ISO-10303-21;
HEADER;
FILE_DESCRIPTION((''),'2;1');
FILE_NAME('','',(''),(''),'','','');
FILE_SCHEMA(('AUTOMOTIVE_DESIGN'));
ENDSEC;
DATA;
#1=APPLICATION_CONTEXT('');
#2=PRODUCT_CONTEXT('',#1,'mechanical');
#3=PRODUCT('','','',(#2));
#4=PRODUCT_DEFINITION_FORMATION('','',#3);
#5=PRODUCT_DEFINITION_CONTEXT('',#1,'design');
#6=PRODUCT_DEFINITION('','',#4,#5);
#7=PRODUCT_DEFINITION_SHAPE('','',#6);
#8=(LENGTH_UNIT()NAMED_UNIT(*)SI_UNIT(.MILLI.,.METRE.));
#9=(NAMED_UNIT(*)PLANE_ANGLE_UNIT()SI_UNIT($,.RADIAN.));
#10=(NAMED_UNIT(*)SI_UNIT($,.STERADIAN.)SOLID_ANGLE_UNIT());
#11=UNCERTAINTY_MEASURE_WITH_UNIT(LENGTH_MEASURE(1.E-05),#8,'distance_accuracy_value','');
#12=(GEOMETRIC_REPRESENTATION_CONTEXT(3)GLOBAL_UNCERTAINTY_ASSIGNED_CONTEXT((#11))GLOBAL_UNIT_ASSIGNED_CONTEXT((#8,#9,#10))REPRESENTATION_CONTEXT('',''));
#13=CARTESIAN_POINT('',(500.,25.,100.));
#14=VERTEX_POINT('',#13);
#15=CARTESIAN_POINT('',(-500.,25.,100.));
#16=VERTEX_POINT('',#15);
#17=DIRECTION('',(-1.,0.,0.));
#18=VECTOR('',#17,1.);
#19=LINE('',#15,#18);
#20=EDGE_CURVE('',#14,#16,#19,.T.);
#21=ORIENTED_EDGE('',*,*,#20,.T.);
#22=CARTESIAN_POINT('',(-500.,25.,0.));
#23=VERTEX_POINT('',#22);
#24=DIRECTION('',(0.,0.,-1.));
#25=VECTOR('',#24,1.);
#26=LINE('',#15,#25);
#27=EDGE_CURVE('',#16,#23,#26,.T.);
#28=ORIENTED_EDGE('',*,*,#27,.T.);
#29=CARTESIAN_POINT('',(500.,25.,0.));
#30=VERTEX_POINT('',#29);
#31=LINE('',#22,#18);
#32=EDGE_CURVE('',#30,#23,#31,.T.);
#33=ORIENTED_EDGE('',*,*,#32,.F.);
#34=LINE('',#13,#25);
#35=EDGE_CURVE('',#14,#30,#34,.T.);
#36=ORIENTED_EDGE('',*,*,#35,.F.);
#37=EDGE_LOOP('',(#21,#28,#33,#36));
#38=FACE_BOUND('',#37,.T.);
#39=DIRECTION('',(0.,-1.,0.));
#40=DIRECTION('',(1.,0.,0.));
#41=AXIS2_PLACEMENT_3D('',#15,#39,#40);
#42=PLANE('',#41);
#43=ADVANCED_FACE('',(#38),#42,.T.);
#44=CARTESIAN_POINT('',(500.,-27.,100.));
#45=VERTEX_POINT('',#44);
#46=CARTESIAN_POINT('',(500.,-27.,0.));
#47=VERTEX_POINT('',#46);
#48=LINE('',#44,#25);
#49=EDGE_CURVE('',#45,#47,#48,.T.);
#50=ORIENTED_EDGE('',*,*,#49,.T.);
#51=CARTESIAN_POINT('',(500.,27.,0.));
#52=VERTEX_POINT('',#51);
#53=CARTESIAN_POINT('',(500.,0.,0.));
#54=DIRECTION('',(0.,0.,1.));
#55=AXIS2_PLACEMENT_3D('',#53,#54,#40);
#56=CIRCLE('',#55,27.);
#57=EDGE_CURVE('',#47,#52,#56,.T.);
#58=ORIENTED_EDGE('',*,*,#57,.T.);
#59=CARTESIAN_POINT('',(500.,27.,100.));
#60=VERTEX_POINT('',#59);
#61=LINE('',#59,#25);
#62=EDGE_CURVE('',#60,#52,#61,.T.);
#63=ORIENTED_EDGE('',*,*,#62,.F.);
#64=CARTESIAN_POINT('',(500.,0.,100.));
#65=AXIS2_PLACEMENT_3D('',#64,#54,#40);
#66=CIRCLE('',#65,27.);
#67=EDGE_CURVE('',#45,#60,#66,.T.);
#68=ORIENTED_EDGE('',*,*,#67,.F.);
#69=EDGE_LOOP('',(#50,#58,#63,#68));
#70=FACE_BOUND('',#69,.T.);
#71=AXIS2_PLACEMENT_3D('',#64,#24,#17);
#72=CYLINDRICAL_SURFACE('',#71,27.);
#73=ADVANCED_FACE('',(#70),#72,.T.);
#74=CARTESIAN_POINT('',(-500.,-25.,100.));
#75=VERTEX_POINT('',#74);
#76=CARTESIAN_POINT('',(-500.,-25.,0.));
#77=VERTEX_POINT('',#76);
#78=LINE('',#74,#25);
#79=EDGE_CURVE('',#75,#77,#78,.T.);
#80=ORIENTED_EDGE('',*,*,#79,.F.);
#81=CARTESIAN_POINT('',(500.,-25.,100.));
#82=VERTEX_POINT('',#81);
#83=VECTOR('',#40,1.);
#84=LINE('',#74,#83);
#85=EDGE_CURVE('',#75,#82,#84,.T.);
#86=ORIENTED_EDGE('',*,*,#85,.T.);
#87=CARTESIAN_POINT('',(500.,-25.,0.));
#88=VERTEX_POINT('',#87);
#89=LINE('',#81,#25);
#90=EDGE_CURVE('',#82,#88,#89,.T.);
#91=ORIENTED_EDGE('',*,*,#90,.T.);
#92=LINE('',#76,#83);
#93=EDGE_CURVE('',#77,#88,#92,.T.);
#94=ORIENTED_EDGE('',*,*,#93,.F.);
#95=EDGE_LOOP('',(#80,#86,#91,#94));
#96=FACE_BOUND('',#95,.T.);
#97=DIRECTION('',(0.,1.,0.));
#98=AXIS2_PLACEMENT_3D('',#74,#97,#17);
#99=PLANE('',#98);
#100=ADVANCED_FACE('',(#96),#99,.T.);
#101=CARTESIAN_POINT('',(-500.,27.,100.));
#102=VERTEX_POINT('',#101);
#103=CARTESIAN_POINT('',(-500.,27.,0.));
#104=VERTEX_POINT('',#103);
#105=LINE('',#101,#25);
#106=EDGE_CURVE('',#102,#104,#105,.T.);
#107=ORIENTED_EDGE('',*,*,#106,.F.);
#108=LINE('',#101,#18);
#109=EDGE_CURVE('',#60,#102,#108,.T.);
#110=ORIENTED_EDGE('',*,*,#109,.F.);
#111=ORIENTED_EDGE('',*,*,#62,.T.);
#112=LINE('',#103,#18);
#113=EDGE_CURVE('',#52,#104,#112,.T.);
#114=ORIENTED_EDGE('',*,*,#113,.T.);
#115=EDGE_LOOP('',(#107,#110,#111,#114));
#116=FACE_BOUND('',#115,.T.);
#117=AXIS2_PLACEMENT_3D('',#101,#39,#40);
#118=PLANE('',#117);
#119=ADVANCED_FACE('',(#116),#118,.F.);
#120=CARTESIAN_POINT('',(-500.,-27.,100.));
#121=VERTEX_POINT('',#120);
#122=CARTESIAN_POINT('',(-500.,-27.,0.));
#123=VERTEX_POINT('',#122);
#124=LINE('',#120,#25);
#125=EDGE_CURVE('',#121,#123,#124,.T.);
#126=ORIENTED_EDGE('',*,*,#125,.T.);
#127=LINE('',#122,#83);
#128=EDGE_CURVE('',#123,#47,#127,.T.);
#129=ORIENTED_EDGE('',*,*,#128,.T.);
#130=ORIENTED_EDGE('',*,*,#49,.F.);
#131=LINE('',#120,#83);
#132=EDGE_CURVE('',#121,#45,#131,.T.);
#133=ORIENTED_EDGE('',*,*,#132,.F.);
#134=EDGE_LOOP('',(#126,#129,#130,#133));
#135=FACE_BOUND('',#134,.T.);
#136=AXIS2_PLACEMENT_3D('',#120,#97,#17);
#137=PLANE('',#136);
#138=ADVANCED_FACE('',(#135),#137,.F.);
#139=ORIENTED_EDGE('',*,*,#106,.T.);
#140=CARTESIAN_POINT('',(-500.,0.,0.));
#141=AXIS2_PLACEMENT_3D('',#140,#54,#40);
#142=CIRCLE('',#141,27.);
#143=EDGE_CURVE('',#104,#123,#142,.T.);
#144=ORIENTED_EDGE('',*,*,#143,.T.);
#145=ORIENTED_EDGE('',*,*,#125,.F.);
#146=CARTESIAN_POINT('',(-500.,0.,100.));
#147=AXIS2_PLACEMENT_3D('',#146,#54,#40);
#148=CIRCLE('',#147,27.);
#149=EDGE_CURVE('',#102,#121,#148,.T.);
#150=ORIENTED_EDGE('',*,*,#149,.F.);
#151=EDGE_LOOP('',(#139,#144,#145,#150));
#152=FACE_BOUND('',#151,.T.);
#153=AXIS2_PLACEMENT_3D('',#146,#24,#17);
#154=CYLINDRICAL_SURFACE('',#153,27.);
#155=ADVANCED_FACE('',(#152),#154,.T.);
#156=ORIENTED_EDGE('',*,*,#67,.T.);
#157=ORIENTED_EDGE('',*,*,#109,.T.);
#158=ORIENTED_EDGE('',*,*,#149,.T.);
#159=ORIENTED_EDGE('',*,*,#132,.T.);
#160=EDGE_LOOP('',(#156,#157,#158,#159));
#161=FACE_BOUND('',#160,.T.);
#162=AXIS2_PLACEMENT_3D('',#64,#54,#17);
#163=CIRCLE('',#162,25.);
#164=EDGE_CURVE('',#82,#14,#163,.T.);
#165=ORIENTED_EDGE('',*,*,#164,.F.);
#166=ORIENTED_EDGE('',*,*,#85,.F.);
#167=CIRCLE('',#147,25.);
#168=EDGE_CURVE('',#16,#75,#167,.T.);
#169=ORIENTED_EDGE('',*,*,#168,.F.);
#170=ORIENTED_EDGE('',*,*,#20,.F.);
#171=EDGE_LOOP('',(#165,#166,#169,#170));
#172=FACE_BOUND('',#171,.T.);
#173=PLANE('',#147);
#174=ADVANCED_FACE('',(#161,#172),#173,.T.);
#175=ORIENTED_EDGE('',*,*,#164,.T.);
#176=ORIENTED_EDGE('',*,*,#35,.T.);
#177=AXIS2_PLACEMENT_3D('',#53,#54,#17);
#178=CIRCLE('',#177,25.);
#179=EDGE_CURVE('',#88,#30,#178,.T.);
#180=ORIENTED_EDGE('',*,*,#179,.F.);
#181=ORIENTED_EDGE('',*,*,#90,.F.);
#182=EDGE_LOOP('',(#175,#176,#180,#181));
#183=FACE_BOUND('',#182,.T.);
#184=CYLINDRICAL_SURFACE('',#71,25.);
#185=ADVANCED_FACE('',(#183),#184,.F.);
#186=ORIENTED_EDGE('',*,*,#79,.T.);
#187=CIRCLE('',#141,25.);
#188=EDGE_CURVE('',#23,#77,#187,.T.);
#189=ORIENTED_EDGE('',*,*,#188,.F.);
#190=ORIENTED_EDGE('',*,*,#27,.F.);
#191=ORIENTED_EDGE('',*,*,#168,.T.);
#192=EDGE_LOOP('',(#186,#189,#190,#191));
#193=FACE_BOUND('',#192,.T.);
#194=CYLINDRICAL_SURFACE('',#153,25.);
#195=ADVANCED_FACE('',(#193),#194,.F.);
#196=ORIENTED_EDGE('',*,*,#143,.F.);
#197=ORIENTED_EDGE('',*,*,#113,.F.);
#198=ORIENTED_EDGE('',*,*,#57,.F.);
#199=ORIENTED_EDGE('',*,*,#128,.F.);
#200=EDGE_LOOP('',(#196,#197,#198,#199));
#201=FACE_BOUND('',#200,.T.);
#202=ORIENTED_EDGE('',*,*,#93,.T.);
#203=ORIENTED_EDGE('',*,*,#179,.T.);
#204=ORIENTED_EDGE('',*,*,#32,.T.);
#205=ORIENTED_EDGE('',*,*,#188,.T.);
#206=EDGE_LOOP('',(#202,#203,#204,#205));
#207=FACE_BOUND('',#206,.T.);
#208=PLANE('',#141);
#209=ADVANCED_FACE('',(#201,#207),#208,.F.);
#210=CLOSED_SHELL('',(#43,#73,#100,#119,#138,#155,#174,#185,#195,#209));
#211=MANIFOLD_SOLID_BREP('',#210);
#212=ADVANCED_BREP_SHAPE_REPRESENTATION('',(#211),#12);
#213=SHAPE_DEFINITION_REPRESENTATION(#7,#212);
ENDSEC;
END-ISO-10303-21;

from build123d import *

# Parameters (mm, degrees)
ESTRUSIONE_SOTTILE1_DEPTH = 100


with BuildPart() as part:
    # Schizzo2 → Estrusione-Sottile1 (new body)
    with BuildSketch(Plane.XY):
        with BuildLine():
            Line((500, -27), (-500, -27))
            ThreePointArc((-500, -27), (-527, 0), (-500, 27))
            Line((-500, 27), (500, 27))
            ThreePointArc((500, 27), (527, 0), (500, -27))
        make_face()
        with BuildLine():
            Line((500, -25), (-500, -25))
            ThreePointArc((-500, -25), (-525, 0), (-500, 25))
            Line((-500, 25), (500, 25))
            ThreePointArc((500, 25), (525, 0), (500, -25))
        make_face(mode=Mode.SUBTRACT)
    extrude(amount=ESTRUSIONE_SOTTILE1_DEPTH)


solid = part.part
